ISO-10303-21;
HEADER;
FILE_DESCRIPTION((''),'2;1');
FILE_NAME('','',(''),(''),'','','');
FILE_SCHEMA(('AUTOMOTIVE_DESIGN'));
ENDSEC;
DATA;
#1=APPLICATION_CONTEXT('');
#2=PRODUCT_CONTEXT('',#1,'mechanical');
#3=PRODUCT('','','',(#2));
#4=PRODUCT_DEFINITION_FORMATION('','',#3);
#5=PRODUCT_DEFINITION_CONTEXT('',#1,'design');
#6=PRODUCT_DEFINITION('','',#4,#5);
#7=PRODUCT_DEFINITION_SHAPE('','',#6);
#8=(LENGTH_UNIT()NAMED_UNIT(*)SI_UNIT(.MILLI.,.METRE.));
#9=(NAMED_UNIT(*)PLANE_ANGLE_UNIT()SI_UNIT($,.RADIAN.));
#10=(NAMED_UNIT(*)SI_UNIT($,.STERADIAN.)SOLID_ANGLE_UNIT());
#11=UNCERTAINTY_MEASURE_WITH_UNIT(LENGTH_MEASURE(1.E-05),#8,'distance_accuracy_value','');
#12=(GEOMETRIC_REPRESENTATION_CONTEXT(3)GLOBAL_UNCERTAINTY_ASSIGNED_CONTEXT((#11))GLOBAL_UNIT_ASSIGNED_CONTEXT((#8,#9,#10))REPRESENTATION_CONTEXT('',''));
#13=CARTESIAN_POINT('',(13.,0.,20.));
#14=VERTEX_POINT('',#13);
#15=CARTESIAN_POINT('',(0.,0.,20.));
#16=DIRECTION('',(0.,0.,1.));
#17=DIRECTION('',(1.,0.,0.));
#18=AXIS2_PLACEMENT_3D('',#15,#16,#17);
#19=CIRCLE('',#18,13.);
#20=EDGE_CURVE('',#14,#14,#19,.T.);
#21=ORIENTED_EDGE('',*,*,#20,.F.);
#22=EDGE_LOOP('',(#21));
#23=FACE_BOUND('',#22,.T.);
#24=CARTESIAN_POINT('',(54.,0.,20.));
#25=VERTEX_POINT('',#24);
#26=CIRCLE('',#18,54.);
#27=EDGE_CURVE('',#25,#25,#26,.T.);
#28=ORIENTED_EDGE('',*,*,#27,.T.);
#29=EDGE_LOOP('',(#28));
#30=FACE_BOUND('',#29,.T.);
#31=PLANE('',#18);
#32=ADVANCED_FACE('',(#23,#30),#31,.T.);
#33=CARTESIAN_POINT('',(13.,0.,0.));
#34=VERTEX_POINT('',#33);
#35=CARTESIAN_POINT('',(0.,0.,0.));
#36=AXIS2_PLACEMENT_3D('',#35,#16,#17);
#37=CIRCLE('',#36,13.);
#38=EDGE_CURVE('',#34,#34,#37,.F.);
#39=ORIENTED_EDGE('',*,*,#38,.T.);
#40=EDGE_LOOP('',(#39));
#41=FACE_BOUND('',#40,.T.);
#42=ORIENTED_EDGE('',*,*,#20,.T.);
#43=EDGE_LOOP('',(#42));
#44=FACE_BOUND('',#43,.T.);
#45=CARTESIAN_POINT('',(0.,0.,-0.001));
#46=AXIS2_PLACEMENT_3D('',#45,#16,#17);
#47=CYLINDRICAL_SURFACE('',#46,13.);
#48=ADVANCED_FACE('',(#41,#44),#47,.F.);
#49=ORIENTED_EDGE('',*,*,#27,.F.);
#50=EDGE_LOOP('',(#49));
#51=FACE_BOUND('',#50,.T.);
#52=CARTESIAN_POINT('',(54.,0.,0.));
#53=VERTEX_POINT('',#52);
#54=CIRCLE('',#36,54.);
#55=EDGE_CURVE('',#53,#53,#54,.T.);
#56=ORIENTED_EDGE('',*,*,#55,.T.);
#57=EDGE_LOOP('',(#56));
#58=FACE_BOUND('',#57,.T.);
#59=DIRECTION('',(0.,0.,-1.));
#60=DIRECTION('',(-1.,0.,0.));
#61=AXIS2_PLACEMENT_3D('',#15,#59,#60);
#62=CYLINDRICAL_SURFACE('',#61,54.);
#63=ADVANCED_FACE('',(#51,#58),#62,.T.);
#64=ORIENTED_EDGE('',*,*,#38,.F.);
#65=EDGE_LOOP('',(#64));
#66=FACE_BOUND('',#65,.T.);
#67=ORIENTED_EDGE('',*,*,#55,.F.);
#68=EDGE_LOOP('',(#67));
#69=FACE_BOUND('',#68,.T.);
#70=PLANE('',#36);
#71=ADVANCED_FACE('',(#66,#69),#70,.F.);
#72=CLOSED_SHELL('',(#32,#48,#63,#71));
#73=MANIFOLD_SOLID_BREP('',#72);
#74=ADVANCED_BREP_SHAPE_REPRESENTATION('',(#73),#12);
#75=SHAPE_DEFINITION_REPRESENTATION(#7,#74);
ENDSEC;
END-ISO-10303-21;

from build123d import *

# Parameters (mm, degrees)
SKETCH1_R           = 54
BOSS_EXTRUDE1_DEPTH = 20
CUT_EXTRUDE1_REACH  = 22
SKETCH2_R           = 13


with BuildPart() as part:
    # Sketch1 → Boss-Extrude1 (new body)
    with BuildSketch(Plane.XY):
        Circle(SKETCH1_R)
    extrude(amount=BOSS_EXTRUDE1_DEPTH)

    # Sketch2 → Cut-Extrude1 (cut, up to next)
    with BuildSketch(Plane.XY.offset(20), mode=Mode.PRIVATE) as cut_extrude1_sk1:
        Circle(SKETCH2_R)
    cut_extrude1_tool1 = extrude(cut_extrude1_sk1.sketch, amount=-CUT_EXTRUDE1_REACH, mode=Mode.PRIVATE) & part.part
    add(cut_extrude1_tool1.solids().sort_by_distance((0, 0, 20))[0], mode=Mode.SUBTRACT)


solid = part.part
